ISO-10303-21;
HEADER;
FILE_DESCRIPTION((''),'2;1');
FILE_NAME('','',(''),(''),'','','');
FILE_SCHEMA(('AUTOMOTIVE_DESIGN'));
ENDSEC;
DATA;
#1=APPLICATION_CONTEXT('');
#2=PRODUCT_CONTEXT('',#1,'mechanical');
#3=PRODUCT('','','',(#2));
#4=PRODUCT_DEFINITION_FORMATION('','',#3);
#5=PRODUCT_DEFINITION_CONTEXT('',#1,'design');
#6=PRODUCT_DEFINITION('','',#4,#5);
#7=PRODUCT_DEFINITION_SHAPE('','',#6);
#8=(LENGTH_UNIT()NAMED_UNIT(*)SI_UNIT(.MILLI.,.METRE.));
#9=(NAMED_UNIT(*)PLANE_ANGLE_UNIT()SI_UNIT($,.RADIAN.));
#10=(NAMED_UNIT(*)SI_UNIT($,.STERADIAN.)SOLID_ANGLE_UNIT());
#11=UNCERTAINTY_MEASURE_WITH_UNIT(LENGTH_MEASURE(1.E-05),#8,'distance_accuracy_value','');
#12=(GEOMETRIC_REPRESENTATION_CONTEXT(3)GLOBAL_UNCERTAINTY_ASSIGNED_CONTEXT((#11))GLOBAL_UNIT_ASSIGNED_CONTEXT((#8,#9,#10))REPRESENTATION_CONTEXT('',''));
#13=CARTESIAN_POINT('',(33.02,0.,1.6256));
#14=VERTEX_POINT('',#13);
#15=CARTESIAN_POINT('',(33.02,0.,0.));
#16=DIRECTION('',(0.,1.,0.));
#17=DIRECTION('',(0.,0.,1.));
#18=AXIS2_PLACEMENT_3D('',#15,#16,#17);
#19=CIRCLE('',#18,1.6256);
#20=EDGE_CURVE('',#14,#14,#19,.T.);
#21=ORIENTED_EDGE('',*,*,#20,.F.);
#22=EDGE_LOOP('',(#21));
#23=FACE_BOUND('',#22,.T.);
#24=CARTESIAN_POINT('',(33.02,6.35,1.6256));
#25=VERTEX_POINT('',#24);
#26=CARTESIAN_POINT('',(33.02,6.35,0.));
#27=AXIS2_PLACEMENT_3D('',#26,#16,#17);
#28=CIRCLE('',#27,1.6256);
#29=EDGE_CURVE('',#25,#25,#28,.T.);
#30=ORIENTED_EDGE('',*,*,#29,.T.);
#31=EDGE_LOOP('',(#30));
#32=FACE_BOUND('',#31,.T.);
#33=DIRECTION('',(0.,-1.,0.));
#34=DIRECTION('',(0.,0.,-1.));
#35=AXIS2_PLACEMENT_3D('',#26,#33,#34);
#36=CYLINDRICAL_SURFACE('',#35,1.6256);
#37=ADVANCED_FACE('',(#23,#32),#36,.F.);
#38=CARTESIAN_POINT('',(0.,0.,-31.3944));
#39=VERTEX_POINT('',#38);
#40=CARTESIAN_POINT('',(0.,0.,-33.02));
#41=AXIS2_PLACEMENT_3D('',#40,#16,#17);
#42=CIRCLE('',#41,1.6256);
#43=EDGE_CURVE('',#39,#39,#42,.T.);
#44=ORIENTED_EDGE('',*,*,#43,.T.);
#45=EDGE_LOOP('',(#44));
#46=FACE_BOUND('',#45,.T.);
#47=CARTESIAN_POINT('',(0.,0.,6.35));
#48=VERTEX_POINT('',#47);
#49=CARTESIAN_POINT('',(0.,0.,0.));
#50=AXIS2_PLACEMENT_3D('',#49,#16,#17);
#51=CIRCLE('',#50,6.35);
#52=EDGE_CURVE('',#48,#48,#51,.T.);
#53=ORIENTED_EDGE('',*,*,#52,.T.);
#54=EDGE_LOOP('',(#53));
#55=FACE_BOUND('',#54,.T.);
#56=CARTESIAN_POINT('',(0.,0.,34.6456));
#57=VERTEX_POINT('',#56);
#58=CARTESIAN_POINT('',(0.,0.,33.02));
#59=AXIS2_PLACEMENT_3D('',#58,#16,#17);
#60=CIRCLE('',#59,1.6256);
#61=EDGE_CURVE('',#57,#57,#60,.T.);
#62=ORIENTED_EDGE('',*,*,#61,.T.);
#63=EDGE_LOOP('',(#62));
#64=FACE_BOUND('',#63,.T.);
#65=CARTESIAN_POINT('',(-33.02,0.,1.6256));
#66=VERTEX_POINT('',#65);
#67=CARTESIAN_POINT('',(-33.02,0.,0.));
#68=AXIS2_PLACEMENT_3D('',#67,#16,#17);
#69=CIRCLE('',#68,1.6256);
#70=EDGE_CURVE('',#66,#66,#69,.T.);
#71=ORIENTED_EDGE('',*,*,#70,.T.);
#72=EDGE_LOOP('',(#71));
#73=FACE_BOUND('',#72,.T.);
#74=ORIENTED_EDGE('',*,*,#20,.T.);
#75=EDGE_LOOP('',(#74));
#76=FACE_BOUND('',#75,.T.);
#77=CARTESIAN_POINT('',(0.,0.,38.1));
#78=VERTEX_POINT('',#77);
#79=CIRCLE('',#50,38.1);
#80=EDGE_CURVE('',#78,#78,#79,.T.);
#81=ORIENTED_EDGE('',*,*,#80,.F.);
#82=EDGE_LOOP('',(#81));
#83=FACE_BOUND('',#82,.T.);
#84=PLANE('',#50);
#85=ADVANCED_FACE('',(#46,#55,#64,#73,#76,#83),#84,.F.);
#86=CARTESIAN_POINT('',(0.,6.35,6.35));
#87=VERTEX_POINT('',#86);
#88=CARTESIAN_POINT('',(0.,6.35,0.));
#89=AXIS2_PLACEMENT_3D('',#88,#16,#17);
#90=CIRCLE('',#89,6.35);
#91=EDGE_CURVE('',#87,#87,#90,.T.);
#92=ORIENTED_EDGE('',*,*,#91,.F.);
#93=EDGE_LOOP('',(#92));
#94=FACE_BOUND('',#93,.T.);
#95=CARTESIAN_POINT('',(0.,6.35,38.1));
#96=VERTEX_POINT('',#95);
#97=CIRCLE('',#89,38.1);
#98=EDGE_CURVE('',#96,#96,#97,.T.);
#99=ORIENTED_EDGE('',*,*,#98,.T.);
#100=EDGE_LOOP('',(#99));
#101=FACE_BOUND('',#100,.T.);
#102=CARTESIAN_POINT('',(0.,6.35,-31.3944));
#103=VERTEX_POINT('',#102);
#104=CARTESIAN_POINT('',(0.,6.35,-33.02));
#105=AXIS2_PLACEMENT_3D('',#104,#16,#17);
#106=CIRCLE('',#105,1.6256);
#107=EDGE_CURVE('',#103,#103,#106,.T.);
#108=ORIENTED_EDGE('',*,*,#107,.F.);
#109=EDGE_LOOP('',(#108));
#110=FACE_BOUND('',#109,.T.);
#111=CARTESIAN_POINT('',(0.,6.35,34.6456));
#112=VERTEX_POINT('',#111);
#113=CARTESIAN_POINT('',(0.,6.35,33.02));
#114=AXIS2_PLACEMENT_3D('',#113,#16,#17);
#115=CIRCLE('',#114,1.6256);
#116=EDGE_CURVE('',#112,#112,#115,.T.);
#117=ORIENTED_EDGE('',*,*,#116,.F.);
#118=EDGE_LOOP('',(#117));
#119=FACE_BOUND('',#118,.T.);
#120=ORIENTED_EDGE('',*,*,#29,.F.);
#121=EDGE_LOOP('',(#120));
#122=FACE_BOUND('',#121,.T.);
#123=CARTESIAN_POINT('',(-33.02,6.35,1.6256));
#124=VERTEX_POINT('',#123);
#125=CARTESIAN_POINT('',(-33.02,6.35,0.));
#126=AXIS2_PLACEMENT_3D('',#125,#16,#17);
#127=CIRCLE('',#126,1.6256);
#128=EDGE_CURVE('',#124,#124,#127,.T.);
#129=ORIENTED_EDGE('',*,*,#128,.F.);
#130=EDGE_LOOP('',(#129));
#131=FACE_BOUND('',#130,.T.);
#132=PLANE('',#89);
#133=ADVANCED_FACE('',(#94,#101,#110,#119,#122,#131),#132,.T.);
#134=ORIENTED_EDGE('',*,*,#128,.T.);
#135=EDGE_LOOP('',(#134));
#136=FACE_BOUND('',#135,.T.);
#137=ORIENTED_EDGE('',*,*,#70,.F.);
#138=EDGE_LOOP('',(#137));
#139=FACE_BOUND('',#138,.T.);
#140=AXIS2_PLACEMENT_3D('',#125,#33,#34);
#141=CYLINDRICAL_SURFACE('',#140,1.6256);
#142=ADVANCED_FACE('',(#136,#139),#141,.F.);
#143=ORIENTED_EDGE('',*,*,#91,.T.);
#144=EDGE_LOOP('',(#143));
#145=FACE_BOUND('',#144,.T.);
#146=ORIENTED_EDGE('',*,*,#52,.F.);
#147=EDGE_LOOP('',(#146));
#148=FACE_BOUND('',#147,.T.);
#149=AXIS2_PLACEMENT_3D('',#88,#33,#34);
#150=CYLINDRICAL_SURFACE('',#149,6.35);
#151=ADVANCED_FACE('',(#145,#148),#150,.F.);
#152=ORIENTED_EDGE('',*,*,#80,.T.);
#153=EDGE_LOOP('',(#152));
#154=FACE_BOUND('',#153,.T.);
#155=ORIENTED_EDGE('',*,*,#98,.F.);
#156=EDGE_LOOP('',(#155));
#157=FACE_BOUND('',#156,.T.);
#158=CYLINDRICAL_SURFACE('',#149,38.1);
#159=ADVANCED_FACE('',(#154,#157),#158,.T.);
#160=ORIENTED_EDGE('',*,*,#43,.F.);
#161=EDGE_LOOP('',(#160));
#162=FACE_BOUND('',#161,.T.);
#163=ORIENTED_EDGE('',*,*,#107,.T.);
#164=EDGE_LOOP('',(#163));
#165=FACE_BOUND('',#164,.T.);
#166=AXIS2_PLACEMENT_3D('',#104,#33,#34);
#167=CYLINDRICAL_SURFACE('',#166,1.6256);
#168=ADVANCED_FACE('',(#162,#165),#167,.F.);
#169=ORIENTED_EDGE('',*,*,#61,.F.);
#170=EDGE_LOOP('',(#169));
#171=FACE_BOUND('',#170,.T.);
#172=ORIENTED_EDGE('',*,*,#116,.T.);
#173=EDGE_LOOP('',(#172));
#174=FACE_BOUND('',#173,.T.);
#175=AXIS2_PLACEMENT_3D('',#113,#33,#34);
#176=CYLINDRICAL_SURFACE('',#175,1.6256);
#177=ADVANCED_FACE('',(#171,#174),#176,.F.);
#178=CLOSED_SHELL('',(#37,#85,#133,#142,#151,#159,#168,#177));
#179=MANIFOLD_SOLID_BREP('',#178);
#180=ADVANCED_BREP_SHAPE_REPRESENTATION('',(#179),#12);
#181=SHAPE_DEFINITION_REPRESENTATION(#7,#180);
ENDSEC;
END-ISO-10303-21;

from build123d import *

# Parameters (mm, degrees)
SKETCH1_R           = 38.1
SKETCH1_R_2         = 1.6256
SKETCH1_R_3         = 6.35
BOSS_EXTRUDE1_DEPTH = 6.35


with BuildPart() as part:
    # Sketch1 → Boss-Extrude1 (new body)
    with BuildSketch(Plane(origin=(0, 0, 0), x_dir=(1, 0, 0), z_dir=(0, 1, 0))):
        with Locations(Location((0, 0, 0), (0, 0, 270))):
            Circle(SKETCH1_R)
        with Locations(Location((0, 33.02, 0), (0, 0, 270))):
            Circle(SKETCH1_R_2, mode=Mode.SUBTRACT)
        with Locations(Location((33.02, 0, 0), (0, 0, 270))):
            Circle(SKETCH1_R_2, mode=Mode.SUBTRACT)
        with Locations(Location((0, -33.02, 0), (0, 0, 270))):
            Circle(SKETCH1_R_2, mode=Mode.SUBTRACT)
        with Locations(Location((-33.02, 0, 0), (0, 0, 270))):
            Circle(SKETCH1_R_2, mode=Mode.SUBTRACT)
        with Locations(Location((0, 0, 0), (0, 0, 270))):
            Circle(SKETCH1_R_3, mode=Mode.SUBTRACT)
    extrude(amount=BOSS_EXTRUDE1_DEPTH)


solid = part.part
